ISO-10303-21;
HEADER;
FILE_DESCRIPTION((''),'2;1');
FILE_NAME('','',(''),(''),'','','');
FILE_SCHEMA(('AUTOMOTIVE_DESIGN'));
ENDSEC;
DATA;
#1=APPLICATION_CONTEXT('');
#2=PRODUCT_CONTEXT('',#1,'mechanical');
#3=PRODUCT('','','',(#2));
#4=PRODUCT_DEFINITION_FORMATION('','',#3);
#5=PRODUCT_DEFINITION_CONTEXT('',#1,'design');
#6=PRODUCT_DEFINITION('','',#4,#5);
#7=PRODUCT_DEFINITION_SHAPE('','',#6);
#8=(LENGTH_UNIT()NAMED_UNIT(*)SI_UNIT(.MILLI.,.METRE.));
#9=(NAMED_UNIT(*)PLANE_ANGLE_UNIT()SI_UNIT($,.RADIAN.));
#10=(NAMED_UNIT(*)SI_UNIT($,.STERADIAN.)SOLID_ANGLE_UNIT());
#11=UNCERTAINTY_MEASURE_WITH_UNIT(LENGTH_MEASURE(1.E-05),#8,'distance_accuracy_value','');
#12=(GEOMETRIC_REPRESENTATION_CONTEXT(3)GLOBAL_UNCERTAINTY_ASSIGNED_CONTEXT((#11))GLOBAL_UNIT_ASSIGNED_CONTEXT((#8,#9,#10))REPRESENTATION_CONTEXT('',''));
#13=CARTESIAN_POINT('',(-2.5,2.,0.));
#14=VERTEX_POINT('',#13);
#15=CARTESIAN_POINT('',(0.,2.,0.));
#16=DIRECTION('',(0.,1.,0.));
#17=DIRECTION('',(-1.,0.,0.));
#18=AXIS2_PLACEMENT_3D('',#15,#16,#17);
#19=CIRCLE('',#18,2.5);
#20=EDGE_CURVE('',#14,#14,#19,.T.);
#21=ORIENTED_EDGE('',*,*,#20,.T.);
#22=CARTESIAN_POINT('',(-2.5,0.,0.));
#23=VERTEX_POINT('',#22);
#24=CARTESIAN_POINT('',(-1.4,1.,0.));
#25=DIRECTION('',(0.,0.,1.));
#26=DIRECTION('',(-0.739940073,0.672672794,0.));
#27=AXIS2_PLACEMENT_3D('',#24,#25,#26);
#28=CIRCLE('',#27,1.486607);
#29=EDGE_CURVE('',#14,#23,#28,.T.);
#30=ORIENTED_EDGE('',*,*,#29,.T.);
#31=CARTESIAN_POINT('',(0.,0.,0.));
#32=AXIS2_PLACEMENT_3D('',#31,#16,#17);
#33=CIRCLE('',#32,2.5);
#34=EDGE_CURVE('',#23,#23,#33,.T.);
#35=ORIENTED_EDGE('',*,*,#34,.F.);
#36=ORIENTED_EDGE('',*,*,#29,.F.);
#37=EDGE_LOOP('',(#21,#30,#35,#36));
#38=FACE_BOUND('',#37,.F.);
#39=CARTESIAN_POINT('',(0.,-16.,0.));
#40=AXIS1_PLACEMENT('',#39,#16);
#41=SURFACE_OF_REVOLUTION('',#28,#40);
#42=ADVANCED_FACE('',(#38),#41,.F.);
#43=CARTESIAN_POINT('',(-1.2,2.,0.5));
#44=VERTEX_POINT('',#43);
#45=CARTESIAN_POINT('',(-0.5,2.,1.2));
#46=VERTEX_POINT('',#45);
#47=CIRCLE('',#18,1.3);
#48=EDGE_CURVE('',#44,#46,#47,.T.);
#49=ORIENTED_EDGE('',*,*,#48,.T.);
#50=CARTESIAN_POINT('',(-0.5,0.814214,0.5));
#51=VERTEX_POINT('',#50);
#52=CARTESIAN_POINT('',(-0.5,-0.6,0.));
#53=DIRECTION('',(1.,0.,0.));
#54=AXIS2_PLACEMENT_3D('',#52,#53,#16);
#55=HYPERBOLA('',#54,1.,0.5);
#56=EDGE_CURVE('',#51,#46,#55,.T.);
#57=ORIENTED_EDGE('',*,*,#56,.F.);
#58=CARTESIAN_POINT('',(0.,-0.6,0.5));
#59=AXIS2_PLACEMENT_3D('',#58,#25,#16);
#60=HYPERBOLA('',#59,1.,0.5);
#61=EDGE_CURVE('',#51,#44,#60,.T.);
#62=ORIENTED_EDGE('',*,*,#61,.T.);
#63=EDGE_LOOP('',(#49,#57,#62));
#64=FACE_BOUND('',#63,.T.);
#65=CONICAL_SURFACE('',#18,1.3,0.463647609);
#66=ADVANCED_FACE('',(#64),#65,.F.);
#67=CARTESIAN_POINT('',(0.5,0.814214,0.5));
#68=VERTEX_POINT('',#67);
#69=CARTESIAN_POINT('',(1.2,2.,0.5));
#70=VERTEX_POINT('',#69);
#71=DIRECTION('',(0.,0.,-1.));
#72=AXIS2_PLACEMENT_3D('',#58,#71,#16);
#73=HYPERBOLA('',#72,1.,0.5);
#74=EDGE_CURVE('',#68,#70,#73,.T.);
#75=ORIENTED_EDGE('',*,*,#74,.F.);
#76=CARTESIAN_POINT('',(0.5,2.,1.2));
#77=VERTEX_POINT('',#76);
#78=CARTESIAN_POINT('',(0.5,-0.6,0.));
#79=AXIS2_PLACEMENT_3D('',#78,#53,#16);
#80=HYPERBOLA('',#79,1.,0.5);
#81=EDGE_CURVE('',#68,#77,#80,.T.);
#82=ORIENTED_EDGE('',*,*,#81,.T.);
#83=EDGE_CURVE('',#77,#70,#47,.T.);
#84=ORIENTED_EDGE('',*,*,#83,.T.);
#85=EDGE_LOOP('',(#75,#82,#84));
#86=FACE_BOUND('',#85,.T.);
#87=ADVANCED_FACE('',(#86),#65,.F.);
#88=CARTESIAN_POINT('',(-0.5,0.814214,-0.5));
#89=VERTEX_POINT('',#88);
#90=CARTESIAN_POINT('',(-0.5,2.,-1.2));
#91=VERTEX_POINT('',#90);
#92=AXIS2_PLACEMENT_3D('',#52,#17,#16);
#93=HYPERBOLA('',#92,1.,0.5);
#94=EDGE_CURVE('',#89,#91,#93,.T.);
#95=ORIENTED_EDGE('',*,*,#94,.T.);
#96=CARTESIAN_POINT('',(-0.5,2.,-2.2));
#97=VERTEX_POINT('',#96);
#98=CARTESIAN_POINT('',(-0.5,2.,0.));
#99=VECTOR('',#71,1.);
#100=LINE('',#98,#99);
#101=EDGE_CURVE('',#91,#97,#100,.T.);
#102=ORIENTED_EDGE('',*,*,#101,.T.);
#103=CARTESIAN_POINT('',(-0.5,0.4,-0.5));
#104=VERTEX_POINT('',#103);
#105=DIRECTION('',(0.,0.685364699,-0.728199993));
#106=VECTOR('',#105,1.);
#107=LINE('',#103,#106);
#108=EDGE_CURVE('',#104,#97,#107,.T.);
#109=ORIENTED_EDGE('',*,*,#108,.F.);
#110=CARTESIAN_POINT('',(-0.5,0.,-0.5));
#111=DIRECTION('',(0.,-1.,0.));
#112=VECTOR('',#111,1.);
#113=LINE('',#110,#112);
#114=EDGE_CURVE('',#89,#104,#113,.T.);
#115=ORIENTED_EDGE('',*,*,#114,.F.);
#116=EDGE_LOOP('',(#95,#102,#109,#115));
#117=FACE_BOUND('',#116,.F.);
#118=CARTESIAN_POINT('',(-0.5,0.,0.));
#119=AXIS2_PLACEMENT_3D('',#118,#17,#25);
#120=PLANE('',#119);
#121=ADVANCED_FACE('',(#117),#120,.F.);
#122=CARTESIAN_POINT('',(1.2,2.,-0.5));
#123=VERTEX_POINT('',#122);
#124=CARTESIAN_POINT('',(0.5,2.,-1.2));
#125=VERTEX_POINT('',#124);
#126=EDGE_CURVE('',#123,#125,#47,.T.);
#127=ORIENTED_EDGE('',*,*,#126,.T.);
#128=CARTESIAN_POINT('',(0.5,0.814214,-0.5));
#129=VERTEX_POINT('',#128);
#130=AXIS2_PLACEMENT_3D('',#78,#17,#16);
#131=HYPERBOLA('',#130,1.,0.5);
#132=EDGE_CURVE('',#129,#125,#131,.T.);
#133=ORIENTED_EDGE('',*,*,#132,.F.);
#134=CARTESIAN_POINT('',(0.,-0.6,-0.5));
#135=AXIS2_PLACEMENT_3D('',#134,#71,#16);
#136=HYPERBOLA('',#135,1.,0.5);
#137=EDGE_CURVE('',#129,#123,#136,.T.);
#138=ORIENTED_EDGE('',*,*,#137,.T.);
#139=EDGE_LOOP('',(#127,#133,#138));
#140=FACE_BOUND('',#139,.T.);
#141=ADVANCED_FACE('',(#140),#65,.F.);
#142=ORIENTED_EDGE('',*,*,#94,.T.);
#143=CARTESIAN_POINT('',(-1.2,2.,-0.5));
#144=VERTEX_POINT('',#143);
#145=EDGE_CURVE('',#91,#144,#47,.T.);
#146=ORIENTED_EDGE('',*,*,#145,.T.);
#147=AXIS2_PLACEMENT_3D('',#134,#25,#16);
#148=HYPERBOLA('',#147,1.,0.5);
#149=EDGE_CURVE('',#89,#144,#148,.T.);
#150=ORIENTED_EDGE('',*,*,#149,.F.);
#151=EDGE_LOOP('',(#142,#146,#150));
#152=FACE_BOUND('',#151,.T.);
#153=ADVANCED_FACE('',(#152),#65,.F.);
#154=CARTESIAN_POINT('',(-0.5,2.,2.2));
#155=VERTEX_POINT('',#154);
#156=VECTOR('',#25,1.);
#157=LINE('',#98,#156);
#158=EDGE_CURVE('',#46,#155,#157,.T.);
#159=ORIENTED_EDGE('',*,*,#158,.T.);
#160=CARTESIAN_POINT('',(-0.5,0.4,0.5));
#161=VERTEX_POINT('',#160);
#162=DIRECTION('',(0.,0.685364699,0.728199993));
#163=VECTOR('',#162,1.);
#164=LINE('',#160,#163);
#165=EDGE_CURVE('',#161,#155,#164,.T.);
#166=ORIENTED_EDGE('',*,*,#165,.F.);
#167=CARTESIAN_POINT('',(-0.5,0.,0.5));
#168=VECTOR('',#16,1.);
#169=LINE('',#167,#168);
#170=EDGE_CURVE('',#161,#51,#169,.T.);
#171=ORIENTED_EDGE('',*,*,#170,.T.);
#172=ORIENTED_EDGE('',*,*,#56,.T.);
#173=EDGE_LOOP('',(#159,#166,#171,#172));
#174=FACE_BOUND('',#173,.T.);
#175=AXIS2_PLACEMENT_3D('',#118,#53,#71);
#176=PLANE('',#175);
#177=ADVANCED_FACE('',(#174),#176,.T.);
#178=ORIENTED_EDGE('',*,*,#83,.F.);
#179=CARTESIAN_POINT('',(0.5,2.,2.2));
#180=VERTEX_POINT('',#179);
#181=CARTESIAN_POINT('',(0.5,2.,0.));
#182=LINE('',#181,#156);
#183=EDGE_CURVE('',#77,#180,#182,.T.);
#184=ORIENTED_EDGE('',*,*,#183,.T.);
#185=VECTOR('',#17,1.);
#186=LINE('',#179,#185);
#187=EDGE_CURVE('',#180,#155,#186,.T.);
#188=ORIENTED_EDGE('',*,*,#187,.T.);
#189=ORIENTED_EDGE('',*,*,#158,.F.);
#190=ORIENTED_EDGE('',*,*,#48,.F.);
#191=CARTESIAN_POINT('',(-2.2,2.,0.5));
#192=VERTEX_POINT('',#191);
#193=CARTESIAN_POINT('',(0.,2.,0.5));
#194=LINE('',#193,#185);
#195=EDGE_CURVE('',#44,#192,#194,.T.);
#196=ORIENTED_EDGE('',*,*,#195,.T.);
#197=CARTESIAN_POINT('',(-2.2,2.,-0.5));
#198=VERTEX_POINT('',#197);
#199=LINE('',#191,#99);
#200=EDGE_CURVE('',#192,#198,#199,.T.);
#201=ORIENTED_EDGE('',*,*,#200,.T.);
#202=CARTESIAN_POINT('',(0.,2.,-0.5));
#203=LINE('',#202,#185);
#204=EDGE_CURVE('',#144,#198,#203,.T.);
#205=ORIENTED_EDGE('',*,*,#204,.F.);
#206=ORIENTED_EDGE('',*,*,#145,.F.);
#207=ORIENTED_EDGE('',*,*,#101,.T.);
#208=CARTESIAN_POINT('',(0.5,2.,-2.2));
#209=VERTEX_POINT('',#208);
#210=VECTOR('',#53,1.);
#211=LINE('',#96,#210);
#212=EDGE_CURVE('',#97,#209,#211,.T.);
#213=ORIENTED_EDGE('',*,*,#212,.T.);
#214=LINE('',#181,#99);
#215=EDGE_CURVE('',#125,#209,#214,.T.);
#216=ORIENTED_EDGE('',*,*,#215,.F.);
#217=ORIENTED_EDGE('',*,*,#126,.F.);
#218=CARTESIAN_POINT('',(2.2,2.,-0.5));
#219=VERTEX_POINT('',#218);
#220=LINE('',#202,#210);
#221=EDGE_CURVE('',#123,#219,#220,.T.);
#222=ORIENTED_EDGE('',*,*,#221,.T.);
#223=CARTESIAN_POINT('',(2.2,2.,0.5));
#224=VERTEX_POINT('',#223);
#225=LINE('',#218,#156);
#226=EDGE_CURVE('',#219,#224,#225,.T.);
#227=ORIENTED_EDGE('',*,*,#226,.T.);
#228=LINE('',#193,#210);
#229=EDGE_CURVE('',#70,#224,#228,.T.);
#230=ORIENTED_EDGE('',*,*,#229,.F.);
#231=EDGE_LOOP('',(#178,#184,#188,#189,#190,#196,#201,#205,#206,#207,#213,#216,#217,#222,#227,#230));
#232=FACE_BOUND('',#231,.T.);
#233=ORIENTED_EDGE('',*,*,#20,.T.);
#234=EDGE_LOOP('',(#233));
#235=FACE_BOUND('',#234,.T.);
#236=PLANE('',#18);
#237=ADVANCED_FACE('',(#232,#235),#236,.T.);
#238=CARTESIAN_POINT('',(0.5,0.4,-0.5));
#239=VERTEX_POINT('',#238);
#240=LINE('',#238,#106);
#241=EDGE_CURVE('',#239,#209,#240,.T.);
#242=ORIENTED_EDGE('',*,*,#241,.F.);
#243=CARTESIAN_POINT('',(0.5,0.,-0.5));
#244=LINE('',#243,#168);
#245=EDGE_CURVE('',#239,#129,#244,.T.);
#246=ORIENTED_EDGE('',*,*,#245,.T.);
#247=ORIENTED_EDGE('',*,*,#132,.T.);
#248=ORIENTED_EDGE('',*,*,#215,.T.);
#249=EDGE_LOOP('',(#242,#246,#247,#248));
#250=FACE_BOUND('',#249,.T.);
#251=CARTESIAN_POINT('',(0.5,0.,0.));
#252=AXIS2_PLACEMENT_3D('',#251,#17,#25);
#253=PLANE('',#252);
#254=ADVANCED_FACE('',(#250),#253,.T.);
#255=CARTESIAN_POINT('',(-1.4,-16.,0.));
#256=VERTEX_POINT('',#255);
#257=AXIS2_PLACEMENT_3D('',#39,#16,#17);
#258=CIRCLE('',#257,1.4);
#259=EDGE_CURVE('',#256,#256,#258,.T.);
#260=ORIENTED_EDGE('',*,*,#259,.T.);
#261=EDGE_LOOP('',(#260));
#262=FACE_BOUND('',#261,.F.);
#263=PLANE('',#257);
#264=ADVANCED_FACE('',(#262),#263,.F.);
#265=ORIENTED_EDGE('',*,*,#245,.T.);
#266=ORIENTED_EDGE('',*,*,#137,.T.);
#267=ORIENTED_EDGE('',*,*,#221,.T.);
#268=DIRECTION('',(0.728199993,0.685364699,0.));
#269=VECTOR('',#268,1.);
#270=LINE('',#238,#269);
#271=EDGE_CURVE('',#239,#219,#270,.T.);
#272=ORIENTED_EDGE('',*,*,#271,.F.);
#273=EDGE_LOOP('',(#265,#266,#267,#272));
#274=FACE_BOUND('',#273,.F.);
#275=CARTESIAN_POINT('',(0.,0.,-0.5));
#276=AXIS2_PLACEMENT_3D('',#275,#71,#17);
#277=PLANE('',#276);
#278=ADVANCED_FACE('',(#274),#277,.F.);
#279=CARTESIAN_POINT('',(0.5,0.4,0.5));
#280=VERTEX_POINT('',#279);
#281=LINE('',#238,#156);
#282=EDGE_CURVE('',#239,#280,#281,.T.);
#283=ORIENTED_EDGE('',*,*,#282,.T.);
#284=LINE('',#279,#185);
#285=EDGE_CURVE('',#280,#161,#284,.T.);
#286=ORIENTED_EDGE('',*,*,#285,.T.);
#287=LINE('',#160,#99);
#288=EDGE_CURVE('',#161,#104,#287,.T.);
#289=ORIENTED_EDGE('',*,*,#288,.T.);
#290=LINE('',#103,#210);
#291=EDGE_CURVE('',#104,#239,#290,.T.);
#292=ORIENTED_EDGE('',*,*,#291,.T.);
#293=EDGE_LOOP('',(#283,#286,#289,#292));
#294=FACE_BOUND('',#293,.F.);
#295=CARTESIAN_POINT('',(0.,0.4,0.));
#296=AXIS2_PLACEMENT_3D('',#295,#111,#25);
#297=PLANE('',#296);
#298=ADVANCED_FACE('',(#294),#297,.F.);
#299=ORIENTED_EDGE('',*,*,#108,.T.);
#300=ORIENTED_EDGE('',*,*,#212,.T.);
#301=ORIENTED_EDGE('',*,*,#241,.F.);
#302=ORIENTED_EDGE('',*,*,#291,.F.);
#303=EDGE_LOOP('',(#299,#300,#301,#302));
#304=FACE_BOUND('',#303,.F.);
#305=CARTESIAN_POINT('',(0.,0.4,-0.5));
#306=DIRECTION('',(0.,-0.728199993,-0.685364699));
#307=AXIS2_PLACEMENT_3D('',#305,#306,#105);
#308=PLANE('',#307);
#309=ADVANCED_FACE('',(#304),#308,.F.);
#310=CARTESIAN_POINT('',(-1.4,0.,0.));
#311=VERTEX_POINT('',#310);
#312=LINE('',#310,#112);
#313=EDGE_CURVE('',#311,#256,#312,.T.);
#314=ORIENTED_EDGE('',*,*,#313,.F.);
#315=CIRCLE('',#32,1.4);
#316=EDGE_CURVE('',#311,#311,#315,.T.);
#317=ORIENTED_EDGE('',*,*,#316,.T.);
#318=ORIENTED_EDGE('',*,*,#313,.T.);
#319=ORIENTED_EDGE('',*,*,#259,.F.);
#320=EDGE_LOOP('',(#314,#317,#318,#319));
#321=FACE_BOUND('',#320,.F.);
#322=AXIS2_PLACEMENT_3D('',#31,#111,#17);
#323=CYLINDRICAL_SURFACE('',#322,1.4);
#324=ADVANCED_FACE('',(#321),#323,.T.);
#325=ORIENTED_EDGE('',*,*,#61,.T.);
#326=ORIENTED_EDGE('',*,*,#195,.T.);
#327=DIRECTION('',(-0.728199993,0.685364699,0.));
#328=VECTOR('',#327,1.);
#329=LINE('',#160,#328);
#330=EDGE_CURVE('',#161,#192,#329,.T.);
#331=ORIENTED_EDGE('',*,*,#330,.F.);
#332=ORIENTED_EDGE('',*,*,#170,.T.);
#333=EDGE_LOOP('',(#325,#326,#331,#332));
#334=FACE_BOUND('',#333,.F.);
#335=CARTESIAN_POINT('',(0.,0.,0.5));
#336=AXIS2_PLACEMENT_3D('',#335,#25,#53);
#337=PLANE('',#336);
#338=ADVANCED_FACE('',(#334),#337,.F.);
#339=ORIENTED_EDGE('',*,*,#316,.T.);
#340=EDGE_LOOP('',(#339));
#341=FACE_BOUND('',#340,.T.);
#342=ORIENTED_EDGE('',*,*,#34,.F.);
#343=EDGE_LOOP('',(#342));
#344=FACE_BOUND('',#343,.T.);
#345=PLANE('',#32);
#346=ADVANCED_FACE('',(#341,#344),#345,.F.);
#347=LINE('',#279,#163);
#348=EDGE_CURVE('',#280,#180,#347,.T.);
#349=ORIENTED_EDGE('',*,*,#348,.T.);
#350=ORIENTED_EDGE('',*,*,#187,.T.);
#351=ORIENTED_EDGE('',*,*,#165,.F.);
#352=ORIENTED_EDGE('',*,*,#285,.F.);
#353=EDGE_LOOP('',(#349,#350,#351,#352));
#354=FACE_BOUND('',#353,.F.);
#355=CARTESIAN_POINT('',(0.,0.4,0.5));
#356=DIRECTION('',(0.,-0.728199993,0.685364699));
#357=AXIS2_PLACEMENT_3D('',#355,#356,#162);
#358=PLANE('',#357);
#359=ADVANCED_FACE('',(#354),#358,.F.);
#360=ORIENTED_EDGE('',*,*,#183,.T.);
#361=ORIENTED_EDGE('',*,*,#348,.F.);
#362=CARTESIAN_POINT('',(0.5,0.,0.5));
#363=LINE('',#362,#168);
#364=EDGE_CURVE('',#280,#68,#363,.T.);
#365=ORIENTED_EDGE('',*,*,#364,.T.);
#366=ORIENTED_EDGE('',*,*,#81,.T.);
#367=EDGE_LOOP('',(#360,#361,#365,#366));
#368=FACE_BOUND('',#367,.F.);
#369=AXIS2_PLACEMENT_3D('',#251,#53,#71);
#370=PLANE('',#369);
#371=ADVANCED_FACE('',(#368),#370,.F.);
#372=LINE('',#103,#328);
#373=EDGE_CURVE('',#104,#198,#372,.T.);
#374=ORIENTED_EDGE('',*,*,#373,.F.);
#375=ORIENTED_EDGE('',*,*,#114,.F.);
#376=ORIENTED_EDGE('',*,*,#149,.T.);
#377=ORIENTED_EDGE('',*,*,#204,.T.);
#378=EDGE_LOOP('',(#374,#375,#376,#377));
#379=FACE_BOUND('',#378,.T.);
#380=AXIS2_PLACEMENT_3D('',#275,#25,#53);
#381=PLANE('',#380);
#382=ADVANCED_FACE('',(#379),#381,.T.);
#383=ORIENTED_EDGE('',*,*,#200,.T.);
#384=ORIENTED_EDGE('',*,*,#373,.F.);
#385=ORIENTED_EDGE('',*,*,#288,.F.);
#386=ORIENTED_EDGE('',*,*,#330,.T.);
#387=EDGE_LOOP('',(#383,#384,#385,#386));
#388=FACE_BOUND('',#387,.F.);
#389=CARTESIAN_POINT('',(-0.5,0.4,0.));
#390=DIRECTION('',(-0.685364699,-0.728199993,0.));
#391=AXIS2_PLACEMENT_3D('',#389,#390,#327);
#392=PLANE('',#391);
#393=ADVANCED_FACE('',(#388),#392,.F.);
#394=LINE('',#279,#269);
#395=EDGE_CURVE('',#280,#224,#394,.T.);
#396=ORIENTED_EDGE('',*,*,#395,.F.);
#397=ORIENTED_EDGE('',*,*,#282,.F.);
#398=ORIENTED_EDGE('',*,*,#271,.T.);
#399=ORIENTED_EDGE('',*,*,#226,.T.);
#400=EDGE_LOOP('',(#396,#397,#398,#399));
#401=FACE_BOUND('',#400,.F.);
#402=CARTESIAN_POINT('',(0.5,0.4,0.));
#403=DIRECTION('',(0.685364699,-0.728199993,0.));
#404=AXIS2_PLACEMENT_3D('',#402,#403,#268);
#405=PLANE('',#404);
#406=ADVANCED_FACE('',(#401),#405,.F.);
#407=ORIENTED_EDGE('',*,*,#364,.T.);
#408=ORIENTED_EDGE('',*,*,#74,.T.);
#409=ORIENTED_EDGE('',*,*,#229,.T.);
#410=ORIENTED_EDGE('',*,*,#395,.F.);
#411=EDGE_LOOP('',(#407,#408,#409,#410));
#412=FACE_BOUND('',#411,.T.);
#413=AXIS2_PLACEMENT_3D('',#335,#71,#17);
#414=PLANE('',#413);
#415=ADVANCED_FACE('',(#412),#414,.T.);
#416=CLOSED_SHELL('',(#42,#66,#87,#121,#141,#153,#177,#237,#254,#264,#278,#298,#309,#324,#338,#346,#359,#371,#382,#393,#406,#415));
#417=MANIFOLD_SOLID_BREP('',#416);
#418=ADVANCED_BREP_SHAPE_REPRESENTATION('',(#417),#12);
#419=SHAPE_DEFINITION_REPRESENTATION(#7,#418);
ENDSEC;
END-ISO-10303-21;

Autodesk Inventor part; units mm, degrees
ref_plane "YZ Plane" through (0, 0, 0) normal (1, 0, 0) x (0, 1, 0)
ref_plane "XZ Plane" through (0, 0, 0) normal (0, 1, 0) x (-1, 0, 0)
ref_plane "XY Plane" through (0, 0, 0) normal (0, 0, 1) x (1, 0, 0)
sketch "Эскиз3" plane through (0, 0, 0) normal (0, 0, 1) x (1, 0, 0)
  line L0 (-1.4, 0) -> (-1.4, -16)
  line L1 (-1.4, -16) -> (0, -16)
  line L2 (0, -16) -> (0, 2)
  line L3 (-1.4, 0) -> (-2.5, 0)
  arc A0 (-2.5, 2) -> (-2.5, 0) centre (-1.4, 1) ccw
  line L4 (-1.3, 2) -> (-0.5, 0.4)
  line L5 (-0.5, 0.4) -> (0, 0.4)
  line L6 (-2.5, 2) -> (-1.3, 2)
  point P0 (0, 0)
  dimension "d4" = 2.8
  dimension "d6" = 1
  dimension "d7" = 5
  dimension "d8" = 16
  dimension "d10" = 2
  dimension "d12" = 2.6
  dimension "d13" = 0.4
  dimension "d14" = 1
revolve "Вращение1" add sketch "Эскиз3" angle 360 about axis through (0, -16, 0) along (0, 1, 0)
sketch "Эскиз5" plane through (0, 0, 0) normal (0, 0, 1) x (1, 0, 0)
  line L0 (0.5, 0.4) -> (-0.5, 0.4) projected
  line L1 (-0.5, 0.4) -> (-2.2, 2)
  line L2 (2.5, 2) -> (-2.5, 2) projected
  line L3 (-2.2, 2) -> (0, 2)
  line L4 (1.3, 2) -> (-1.3, 2) projected
  line L5 (0, 0.4) -> (-0.5, 0.4)
  line L6 (0, 0.4) -> (0, 2)
  point P0 (0, 0)
  dimension "d15" = 2.2
extrude "Выдавливание2" cut sketch "Эскиз5" along normal mid plane 1
pattern_circular "Круговой массив1" count 4 over 360 about axis through (0, -10, 0) along (0, 1, 0) of "Выдавливание2"
thread "Резьба1" size "M3x0.5" class "6g" standard "ANSI Metric M Profile" full length
properties part number "M3x16" material "Сталь, литейная"
